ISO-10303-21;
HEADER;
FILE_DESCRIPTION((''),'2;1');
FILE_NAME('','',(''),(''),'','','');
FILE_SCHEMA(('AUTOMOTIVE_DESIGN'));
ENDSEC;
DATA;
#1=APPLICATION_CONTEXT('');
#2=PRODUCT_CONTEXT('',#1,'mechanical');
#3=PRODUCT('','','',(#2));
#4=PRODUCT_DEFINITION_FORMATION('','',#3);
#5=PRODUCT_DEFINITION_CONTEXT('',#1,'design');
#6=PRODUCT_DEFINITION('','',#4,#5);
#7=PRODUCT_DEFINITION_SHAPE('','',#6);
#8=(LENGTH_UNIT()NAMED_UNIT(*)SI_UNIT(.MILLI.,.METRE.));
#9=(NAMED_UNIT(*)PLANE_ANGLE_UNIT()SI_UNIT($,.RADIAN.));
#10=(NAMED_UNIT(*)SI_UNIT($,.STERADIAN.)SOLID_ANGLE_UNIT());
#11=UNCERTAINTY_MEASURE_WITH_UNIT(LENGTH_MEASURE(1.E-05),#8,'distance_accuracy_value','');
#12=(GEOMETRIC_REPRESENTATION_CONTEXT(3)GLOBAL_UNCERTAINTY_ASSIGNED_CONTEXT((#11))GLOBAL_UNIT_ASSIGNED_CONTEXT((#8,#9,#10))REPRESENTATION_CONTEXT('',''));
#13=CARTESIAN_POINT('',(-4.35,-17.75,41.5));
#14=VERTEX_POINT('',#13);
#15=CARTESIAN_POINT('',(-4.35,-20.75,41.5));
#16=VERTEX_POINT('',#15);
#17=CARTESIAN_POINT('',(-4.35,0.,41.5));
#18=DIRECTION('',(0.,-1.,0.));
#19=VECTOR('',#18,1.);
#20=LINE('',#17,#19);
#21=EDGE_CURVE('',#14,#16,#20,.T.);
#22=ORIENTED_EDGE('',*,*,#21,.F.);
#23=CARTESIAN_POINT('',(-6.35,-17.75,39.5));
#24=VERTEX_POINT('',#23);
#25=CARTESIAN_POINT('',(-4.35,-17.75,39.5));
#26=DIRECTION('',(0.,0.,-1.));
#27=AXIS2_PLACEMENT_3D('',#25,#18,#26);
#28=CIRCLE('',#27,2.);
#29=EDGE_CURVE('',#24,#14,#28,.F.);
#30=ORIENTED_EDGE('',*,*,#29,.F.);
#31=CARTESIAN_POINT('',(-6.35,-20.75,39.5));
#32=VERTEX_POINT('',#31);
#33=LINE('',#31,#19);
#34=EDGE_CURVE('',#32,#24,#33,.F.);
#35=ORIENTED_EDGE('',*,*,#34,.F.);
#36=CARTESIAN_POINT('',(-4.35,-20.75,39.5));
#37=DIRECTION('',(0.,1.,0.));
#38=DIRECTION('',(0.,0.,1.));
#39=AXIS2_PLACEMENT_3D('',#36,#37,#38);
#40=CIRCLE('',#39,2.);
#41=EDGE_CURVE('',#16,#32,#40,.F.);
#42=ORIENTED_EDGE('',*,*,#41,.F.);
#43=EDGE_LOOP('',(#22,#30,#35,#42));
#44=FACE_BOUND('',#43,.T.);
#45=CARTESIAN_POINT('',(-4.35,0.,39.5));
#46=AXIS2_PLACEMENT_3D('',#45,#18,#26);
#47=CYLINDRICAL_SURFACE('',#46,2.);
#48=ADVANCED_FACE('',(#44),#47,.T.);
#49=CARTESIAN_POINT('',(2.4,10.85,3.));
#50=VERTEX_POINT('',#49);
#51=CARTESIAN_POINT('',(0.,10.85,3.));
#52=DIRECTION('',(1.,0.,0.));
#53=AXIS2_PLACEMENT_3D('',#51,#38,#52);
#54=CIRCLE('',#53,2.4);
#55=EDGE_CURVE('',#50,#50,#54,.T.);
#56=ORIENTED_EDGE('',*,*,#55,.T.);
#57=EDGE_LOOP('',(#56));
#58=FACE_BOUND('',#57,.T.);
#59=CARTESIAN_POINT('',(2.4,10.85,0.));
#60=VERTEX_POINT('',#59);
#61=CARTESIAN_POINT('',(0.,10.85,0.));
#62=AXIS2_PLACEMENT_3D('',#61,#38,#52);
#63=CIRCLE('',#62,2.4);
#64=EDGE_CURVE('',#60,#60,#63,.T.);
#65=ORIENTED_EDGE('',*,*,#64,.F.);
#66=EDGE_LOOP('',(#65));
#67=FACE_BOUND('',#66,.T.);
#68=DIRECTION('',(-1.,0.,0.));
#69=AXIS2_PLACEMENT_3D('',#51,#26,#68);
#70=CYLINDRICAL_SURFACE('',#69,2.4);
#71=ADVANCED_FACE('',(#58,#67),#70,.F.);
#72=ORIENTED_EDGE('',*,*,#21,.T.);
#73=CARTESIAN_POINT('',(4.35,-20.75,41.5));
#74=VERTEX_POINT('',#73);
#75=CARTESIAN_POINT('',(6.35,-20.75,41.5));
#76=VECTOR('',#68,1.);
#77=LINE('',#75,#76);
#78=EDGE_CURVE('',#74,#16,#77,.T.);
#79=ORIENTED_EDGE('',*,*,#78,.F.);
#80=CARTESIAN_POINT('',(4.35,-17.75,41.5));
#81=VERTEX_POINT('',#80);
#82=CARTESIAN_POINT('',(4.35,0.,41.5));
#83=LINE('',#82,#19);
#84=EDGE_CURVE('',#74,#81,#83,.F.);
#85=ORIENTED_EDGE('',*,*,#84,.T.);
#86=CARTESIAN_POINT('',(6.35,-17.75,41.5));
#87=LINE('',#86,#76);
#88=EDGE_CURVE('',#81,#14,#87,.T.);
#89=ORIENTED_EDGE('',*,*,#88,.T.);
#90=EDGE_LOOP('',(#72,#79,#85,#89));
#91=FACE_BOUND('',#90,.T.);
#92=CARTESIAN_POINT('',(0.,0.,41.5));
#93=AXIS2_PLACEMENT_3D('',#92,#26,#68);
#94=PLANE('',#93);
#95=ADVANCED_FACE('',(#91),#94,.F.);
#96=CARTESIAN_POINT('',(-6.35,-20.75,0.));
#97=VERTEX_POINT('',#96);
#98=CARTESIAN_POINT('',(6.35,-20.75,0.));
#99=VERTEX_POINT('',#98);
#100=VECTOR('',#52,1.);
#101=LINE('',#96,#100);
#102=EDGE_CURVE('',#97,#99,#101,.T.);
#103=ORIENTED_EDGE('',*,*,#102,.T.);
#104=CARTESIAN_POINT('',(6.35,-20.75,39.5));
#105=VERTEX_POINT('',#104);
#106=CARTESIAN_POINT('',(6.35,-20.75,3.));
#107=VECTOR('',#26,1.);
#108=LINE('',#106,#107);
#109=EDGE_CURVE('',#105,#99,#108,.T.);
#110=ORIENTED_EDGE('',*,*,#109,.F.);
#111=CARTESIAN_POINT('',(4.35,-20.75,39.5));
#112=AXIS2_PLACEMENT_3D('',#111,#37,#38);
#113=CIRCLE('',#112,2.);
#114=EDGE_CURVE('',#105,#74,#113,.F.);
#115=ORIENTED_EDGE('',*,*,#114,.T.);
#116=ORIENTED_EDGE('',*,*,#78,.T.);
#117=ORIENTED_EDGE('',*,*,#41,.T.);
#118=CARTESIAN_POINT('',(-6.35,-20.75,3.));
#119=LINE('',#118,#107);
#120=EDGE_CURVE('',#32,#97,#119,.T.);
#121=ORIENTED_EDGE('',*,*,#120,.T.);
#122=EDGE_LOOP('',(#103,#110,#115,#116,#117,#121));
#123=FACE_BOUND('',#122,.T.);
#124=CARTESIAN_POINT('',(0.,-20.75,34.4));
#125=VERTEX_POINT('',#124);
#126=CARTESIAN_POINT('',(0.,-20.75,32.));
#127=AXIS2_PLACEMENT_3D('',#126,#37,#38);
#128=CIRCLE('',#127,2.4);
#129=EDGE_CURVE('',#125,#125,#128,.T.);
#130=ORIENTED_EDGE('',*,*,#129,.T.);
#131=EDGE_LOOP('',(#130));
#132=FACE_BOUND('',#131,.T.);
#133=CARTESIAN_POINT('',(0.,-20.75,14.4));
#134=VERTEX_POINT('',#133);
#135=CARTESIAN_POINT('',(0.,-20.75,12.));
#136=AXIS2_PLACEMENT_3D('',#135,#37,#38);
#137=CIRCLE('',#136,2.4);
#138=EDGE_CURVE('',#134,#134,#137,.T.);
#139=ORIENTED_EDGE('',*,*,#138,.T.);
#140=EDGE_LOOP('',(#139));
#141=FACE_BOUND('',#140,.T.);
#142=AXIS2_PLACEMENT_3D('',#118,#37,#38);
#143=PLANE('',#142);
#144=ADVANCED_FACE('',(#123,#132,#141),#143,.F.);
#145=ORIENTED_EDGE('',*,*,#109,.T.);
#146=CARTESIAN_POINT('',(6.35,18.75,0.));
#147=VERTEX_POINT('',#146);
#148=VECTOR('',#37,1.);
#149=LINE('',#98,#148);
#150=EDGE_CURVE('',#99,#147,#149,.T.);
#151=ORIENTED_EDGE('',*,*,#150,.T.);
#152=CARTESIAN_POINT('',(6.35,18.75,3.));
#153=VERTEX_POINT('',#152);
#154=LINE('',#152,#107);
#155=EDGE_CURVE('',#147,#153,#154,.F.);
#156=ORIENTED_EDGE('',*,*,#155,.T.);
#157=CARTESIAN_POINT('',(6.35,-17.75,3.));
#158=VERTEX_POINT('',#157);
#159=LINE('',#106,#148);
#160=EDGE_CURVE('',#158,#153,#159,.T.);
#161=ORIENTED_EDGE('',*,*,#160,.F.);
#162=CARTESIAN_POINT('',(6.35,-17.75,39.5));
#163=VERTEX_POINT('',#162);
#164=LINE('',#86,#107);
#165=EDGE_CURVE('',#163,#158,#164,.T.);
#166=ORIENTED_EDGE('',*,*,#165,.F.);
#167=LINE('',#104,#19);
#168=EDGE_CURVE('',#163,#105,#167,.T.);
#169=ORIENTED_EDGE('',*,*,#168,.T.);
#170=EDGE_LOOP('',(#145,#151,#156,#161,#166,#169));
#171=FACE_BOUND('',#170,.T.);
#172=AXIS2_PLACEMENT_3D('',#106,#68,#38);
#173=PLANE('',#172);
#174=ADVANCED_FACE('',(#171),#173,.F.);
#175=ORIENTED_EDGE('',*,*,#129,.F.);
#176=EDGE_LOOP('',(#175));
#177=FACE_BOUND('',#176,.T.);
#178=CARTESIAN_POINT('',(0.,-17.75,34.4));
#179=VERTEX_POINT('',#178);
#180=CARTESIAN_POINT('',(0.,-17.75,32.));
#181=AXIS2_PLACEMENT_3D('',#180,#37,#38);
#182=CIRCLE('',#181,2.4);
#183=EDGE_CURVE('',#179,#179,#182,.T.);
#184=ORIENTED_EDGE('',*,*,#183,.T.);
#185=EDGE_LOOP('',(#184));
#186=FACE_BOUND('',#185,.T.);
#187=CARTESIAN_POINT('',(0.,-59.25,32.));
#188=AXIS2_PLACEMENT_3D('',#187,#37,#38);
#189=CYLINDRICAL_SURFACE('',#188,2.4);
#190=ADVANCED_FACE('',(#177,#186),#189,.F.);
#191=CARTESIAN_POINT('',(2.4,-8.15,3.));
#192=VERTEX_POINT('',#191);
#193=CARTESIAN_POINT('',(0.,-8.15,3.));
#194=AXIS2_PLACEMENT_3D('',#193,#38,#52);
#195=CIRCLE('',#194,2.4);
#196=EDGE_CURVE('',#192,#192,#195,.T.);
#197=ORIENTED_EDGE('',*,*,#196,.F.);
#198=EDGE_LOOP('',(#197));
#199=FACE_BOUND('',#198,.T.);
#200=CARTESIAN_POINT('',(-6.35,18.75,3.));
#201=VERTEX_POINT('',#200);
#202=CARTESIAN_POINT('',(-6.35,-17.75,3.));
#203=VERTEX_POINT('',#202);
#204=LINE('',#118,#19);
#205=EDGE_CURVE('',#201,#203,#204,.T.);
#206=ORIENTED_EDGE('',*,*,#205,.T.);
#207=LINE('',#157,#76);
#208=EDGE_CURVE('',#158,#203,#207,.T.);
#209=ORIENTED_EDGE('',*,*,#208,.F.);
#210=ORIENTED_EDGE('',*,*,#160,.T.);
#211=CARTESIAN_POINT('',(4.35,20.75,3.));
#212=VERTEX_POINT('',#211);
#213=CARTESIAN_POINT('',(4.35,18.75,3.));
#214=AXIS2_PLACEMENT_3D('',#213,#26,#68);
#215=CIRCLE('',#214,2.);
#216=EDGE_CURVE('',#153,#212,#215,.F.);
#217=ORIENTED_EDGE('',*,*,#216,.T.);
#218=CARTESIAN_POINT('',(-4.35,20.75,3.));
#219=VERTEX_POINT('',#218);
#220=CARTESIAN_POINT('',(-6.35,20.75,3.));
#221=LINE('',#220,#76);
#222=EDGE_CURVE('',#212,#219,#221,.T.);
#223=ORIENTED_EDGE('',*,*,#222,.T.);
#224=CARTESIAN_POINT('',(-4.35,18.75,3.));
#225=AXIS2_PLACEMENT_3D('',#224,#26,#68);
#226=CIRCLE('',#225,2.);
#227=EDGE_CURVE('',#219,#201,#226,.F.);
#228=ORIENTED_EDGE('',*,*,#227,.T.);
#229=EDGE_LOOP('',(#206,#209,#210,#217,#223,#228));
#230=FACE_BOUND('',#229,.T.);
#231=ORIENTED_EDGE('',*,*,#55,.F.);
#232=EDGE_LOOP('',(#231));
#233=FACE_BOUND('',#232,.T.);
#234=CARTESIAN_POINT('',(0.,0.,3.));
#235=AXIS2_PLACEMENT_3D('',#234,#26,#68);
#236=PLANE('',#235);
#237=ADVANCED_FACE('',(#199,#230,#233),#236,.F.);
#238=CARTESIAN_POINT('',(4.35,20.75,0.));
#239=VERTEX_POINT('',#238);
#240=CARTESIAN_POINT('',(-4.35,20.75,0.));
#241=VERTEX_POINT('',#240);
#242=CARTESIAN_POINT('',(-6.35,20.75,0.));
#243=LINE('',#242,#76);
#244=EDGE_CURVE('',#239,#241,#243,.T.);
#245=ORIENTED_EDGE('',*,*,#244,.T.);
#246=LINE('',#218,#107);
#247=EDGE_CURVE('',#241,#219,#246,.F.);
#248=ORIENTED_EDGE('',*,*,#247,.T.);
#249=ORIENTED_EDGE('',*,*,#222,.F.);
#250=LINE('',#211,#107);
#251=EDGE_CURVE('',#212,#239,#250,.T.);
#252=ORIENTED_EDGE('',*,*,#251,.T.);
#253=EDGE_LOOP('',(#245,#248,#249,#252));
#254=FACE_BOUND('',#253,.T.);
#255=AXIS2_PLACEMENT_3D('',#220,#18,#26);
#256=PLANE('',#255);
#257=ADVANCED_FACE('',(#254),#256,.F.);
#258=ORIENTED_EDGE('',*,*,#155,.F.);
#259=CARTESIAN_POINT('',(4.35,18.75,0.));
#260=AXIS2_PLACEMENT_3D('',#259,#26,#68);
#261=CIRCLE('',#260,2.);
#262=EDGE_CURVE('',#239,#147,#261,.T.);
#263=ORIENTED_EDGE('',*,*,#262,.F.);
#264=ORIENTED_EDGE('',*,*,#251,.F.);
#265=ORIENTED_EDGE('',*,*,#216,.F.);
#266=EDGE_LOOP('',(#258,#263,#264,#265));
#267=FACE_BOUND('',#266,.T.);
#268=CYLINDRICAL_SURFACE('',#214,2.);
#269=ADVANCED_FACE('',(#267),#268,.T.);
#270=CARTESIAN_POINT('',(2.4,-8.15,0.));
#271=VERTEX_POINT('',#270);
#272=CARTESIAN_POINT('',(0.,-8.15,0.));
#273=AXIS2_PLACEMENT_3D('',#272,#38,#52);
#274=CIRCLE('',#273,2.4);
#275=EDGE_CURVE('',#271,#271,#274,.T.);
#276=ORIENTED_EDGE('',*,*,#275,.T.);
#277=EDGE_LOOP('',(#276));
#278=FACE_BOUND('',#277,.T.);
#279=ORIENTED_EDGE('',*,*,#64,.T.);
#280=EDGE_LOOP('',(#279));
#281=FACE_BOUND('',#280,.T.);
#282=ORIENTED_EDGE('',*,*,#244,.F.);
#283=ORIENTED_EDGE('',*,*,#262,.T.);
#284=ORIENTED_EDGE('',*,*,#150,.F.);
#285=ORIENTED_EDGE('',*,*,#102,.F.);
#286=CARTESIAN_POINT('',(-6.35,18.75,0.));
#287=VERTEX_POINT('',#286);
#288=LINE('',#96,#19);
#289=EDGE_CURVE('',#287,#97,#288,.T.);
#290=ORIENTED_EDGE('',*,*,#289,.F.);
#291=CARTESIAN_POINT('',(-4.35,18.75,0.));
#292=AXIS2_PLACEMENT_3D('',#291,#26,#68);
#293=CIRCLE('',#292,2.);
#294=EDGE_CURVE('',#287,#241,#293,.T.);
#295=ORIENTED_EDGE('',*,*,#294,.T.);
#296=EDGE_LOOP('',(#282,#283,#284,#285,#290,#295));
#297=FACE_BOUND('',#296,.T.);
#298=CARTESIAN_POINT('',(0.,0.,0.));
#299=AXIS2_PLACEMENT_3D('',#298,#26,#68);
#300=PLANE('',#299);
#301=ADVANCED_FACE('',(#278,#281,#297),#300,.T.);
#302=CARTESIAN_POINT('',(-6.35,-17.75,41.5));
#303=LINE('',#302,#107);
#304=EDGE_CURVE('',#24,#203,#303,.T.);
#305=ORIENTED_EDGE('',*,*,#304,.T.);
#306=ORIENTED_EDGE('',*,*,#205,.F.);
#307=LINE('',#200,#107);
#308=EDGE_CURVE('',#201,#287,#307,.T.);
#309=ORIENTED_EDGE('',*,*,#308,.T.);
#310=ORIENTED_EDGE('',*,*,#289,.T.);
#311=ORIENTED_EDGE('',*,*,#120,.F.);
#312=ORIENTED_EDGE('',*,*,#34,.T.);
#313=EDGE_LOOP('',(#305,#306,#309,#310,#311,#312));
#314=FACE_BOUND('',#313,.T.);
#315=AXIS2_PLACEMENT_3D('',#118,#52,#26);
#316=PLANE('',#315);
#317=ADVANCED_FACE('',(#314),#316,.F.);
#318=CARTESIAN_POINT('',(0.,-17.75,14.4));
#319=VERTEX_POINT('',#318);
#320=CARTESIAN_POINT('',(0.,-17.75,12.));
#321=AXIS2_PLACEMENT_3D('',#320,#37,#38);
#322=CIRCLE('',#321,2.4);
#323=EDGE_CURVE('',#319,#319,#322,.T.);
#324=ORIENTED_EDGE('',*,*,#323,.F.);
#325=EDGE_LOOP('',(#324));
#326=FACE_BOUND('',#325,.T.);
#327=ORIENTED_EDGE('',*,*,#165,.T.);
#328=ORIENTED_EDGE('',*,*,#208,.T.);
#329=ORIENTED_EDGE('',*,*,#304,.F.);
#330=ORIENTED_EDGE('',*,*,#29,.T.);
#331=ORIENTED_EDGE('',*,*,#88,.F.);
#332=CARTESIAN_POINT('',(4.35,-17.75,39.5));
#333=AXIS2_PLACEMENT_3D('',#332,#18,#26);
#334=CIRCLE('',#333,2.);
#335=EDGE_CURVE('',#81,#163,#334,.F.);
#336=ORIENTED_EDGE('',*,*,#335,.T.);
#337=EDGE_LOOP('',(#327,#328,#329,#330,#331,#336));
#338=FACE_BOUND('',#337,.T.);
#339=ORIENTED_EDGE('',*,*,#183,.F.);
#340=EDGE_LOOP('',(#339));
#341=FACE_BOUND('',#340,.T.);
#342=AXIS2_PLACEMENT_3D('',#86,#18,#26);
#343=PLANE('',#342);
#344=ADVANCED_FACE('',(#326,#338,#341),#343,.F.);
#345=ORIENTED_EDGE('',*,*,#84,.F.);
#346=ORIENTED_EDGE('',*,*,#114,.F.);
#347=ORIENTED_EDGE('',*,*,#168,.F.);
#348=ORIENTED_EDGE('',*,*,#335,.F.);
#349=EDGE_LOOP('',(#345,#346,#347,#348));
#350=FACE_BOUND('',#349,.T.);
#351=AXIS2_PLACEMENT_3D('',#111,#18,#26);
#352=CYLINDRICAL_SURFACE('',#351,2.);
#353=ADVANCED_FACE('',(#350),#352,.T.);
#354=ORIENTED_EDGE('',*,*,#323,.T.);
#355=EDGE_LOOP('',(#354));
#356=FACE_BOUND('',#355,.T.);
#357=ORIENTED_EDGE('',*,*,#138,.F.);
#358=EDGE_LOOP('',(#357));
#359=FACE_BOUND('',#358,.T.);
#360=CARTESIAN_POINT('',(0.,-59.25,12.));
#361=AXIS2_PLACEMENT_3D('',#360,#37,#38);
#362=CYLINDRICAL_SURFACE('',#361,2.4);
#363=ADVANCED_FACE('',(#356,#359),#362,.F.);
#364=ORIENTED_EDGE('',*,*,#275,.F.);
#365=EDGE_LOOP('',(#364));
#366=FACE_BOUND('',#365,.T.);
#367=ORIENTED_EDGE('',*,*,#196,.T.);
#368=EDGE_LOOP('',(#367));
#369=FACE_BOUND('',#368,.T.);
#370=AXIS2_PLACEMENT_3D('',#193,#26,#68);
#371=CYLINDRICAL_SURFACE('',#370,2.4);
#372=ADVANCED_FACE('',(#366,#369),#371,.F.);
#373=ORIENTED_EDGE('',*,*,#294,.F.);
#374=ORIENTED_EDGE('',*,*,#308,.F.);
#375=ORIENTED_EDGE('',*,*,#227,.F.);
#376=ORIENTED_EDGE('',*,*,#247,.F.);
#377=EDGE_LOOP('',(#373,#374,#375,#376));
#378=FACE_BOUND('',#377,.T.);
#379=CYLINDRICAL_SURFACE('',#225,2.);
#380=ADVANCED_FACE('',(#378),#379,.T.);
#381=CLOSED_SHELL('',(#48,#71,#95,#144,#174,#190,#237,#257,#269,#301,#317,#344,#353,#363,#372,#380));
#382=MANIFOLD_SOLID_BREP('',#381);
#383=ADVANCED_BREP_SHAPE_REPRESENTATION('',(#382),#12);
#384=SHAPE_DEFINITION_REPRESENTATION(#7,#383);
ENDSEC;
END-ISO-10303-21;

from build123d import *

# Parameters (mm, degrees)
ESBO_O1_W                = 12.7
ESBO_O1_H                = 41.5
ESBO_O1_R                = 2.4
RESSALTO_EXTRUS_O1_DEPTH = 3
ESBO_O2_W                = 12.7
ESBO_O2_H                = 3
RESSALTO_EXTRUS_O2_DEPTH = 38.5
ESBO_O3_R                = 2.4
CORTE_EXTRUS_O1_DEPTH    = 41.5
FILETE1_R                = 2


with BuildPart() as part:
    # Esboço1 → Ressalto-extrusão1 (new body)
    with BuildSketch(Plane.XY):
        Rectangle(ESBO_O1_W, ESBO_O1_H)
        with Locations((0, 10.85)):
            Circle(ESBO_O1_R, mode=Mode.SUBTRACT)
        with Locations((0, -8.15)):
            Circle(ESBO_O1_R, mode=Mode.SUBTRACT)
    extrude(amount=RESSALTO_EXTRUS_O1_DEPTH)

    # Esboço2 → Ressalto-extrusão2 (add)
    with BuildSketch(Plane.XY.offset(3)):
        with Locations((0, -19.25)):
            Rectangle(ESBO_O2_W, ESBO_O2_H)
    extrude(amount=RESSALTO_EXTRUS_O2_DEPTH)

    # Esboço3 → Corte-extrusão1 (cut)
    with BuildSketch(Plane(origin=(0, -17.75, 0), x_dir=(1, 0, 0), z_dir=(0, 1, 0))):
        with Locations((0, -12)):
            Circle(ESBO_O3_R)
        with Locations((0, -32)):
            Circle(ESBO_O3_R)
    extrude(amount=-CORTE_EXTRUS_O1_DEPTH, mode=Mode.SUBTRACT)

    # Filete1
    filete1_edges = [part.edges().sort_by_distance(p)[0] for p in [
        (6.35, -19.25, 41.5),
        (-6.35, -19.25, 41.5),
        (-6.35, 20.75, 1.5),
        (6.35, 20.75, 1.5),
    ]]
    fillet(filete1_edges, radius=FILETE1_R)


solid = part.part
